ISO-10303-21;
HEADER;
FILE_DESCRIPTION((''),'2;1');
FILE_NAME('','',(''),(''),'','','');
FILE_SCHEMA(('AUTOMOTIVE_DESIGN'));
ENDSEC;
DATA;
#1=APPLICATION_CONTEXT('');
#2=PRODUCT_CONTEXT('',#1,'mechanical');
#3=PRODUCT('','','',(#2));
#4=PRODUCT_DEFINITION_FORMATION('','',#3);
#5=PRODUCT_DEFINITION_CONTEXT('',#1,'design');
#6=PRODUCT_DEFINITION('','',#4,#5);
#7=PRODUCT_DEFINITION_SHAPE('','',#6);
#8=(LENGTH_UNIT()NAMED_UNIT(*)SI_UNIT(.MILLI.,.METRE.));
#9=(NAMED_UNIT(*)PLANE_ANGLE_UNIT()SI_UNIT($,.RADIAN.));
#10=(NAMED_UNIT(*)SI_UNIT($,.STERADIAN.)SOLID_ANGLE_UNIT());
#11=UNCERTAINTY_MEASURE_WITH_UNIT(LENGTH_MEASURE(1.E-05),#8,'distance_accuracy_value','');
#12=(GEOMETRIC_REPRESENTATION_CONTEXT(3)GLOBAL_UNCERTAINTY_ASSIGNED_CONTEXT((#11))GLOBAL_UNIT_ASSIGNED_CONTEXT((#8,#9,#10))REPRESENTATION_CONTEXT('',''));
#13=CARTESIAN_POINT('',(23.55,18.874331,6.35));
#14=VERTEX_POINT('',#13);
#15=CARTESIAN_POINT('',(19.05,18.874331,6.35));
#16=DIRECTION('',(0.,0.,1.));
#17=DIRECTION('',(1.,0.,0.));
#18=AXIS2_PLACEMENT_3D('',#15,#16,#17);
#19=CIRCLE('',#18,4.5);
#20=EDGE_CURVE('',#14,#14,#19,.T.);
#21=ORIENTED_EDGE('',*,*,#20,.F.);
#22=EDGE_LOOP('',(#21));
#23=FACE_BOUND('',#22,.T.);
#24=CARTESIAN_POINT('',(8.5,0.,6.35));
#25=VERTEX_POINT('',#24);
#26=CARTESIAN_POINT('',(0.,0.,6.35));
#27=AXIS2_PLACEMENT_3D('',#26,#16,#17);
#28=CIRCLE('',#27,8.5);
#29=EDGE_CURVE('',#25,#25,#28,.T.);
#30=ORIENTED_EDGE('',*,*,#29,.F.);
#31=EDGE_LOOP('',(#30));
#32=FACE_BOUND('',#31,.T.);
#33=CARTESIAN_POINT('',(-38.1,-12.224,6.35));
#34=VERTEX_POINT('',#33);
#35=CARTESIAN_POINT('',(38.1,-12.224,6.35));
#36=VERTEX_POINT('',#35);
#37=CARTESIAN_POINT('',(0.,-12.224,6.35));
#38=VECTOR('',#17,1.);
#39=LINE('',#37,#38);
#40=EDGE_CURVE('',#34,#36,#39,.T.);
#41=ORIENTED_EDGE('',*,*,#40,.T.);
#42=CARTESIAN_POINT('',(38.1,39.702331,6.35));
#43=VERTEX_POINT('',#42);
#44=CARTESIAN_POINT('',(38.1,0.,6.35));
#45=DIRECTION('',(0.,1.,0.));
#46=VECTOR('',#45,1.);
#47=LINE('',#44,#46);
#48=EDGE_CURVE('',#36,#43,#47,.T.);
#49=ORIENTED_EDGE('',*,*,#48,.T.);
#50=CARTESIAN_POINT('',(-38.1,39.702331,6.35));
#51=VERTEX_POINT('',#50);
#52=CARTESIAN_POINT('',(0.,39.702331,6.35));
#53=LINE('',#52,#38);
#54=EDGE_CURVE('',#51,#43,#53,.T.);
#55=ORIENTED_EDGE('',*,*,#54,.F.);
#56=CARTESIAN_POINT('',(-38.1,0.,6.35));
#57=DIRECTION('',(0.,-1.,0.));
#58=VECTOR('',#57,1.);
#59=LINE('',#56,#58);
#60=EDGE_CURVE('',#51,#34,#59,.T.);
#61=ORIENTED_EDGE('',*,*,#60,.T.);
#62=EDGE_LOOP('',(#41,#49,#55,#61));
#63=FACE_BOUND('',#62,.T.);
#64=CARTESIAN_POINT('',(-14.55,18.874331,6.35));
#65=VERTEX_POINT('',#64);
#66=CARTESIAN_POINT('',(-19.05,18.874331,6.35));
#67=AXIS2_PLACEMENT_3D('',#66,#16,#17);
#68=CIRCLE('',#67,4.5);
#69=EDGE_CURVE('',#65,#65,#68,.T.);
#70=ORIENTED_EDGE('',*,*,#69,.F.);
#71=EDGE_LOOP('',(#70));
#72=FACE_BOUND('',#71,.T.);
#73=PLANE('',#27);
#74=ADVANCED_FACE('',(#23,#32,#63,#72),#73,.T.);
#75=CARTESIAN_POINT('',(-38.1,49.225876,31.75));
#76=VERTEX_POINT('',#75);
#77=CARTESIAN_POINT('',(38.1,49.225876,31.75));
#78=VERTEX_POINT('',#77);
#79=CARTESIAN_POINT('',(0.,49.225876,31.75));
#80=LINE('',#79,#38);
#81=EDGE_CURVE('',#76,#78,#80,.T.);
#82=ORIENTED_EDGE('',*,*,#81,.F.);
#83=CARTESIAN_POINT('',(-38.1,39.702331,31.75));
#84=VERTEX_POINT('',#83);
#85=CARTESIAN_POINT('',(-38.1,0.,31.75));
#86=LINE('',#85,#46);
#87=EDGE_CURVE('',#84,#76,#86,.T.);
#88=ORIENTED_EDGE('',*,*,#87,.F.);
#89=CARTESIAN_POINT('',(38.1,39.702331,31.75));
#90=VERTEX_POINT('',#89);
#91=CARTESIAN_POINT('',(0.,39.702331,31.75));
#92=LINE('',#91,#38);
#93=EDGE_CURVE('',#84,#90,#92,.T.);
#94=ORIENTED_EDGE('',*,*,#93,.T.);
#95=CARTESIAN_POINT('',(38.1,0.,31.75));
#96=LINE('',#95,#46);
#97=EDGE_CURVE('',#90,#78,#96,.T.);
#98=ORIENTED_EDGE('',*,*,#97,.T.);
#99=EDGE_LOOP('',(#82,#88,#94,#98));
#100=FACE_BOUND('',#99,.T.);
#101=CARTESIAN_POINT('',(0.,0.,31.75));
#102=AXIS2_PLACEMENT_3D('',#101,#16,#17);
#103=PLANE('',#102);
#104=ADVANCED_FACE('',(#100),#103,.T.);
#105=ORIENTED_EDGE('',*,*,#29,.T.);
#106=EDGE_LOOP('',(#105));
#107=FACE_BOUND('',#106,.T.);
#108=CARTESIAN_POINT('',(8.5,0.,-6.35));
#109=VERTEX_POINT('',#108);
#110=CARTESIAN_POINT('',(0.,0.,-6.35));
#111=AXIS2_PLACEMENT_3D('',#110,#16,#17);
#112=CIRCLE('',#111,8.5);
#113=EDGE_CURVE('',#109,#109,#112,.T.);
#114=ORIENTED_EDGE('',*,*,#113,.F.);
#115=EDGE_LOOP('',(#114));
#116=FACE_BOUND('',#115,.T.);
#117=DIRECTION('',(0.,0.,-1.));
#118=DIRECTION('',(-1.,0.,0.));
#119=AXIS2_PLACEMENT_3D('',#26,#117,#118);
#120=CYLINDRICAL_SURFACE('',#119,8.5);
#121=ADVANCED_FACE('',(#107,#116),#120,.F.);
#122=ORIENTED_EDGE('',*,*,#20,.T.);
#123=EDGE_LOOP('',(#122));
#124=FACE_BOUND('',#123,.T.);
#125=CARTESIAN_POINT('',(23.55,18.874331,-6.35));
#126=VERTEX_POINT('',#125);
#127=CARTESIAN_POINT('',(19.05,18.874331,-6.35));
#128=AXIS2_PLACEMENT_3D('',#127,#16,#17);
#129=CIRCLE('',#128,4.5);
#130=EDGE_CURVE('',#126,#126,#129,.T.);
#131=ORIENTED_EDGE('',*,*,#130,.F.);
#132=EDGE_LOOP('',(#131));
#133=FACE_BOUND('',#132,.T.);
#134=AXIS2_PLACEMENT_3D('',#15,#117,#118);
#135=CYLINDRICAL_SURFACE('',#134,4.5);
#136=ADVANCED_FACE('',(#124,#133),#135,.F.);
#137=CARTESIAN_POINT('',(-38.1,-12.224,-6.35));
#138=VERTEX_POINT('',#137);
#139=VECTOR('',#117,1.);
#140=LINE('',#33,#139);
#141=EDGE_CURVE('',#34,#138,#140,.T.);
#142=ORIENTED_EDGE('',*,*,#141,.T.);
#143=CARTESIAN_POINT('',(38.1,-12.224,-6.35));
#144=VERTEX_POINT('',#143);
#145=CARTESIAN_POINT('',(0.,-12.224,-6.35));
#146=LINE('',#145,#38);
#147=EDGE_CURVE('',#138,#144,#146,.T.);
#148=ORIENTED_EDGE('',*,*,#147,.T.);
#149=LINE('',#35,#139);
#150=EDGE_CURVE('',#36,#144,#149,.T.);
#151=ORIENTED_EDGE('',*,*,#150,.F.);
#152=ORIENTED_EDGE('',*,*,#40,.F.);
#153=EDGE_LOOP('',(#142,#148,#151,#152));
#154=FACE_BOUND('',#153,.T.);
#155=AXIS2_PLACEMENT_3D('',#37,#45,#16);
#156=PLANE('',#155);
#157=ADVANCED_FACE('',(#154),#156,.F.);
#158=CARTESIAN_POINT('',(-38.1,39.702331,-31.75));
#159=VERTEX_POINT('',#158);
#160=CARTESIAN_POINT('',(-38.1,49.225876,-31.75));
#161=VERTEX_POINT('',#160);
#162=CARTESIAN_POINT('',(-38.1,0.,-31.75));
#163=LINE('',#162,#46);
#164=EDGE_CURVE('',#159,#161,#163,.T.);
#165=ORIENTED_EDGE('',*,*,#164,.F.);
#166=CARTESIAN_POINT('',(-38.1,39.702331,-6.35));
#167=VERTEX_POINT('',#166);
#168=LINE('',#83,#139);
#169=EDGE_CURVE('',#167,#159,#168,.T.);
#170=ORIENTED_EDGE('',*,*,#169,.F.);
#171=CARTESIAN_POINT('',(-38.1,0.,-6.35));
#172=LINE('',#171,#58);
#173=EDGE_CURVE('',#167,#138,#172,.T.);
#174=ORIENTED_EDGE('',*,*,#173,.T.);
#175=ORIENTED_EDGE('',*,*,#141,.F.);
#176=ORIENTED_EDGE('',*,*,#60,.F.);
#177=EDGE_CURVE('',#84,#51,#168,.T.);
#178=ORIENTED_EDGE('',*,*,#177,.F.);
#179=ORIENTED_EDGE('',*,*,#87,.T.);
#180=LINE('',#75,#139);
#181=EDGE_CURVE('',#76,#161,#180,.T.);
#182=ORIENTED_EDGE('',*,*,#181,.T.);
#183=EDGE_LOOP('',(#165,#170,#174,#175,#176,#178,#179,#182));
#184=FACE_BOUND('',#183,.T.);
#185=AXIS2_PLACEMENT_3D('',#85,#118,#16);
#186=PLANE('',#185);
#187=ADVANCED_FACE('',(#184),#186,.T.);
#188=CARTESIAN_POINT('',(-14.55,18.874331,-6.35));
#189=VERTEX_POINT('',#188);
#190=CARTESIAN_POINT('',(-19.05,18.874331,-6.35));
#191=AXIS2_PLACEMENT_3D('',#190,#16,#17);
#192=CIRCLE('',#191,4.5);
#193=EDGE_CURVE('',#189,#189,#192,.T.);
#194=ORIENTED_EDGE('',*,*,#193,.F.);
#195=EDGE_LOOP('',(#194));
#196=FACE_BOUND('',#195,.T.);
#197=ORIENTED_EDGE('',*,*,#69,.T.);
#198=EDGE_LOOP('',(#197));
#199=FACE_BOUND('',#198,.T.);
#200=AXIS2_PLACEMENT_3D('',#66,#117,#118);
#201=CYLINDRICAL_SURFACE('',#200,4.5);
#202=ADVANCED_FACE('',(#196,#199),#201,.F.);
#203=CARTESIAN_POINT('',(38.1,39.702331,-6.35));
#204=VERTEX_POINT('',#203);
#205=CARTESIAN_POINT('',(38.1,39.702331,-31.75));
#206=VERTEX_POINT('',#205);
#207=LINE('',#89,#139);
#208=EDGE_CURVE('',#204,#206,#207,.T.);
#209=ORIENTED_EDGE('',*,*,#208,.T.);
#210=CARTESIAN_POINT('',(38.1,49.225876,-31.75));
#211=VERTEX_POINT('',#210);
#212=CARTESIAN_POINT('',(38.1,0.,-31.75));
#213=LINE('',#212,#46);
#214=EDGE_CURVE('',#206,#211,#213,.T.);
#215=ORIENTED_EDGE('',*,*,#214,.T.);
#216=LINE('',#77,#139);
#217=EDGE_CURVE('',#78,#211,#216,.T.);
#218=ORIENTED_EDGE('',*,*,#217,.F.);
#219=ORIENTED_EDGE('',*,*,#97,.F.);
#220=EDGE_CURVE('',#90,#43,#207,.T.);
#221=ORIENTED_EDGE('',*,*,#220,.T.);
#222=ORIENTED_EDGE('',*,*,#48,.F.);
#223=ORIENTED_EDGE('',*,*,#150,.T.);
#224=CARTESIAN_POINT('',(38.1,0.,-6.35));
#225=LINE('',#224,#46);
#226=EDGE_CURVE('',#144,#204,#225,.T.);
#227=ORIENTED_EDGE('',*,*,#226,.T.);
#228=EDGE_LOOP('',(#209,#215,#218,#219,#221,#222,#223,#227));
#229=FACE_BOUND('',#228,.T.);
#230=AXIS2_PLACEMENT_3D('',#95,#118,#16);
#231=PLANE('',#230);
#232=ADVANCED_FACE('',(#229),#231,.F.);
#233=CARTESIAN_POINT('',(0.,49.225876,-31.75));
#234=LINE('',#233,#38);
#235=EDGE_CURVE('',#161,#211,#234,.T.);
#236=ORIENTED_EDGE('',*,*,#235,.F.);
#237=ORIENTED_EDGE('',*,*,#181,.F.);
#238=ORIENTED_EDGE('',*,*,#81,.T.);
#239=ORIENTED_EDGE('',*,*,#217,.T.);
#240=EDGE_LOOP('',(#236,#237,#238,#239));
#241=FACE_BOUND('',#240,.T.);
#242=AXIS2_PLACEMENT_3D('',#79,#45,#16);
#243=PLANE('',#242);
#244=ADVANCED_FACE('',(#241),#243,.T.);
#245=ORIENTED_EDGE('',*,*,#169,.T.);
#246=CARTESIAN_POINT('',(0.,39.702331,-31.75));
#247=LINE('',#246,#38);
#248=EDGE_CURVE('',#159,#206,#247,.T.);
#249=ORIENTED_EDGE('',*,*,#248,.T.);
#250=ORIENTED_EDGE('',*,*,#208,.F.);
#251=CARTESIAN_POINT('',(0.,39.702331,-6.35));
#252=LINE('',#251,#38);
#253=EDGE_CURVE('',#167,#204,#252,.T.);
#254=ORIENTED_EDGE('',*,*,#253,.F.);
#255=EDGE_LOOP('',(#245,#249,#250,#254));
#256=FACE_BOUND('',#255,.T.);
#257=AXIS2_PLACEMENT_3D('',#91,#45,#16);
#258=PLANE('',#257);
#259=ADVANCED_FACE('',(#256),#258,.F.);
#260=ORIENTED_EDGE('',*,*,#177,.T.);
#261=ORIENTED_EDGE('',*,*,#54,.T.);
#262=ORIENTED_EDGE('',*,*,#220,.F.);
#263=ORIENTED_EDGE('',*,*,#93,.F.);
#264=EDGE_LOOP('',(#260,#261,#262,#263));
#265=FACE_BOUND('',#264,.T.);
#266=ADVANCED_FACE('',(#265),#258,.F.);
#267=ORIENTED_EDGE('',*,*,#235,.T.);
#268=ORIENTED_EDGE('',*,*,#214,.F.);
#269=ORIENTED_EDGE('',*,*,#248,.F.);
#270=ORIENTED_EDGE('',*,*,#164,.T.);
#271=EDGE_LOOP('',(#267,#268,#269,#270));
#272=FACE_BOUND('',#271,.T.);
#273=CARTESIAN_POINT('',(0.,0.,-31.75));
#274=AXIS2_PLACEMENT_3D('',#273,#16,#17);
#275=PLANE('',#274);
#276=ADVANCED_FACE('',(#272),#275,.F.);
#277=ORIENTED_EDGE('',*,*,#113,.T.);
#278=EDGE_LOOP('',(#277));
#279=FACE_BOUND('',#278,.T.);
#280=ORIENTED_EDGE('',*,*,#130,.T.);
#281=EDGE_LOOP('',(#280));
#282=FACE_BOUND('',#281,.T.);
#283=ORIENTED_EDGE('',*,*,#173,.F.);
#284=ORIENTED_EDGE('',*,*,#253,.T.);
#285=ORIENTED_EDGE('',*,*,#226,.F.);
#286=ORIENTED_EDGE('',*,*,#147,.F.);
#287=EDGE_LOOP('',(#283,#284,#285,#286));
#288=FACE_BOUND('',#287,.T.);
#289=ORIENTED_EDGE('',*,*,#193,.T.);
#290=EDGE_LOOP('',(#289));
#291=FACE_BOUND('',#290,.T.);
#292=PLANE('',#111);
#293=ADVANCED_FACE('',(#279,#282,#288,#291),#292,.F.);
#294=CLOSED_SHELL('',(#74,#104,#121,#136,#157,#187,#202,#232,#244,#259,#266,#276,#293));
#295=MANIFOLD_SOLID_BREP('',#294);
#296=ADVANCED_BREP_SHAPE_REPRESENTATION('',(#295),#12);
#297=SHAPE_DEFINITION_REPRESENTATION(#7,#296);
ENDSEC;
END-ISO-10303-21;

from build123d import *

# Parameters (mm, degrees)
SKETCH1_W           = 76.2
SKETCH1_H           = 9.523545078
BOSS_EXTRUDE2_DEPTH = 31.75
SKETCH1_6_R         = 8.5
SKETCH1_6_R_2       = 4.5
BOSS_EXTRUDE3_DEPTH = 6.35


with BuildPart() as part:
    # Sketch1 → Boss-Extrude2 (new, symmetric)
    with BuildSketch(Plane.XY):
        with Locations((0, 44.46410331)):
            Rectangle(SKETCH1_W, SKETCH1_H)
    extrude(amount=BOSS_EXTRUDE2_DEPTH, both=True)

    # Sketch1<6> → Boss-Extrude3 (add, symmetric)
    with BuildSketch(Plane.XY):
        Polygon((-38.1, -12.224), (38.1, -12.224), (38.1, 12.224), (38.1, 39.702330771), (-38.1, 39.702330771), (-38.1, 12.224), align=None)
        Circle(SKETCH1_6_R, mode=Mode.SUBTRACT)
        with Locations((-19.05, 18.874330771)):
            Circle(SKETCH1_6_R_2, mode=Mode.SUBTRACT)
        with Locations((19.05, 18.874330771)):
            Circle(SKETCH1_6_R_2, mode=Mode.SUBTRACT)
    extrude(amount=BOSS_EXTRUDE3_DEPTH, both=True)


solid = part.part
